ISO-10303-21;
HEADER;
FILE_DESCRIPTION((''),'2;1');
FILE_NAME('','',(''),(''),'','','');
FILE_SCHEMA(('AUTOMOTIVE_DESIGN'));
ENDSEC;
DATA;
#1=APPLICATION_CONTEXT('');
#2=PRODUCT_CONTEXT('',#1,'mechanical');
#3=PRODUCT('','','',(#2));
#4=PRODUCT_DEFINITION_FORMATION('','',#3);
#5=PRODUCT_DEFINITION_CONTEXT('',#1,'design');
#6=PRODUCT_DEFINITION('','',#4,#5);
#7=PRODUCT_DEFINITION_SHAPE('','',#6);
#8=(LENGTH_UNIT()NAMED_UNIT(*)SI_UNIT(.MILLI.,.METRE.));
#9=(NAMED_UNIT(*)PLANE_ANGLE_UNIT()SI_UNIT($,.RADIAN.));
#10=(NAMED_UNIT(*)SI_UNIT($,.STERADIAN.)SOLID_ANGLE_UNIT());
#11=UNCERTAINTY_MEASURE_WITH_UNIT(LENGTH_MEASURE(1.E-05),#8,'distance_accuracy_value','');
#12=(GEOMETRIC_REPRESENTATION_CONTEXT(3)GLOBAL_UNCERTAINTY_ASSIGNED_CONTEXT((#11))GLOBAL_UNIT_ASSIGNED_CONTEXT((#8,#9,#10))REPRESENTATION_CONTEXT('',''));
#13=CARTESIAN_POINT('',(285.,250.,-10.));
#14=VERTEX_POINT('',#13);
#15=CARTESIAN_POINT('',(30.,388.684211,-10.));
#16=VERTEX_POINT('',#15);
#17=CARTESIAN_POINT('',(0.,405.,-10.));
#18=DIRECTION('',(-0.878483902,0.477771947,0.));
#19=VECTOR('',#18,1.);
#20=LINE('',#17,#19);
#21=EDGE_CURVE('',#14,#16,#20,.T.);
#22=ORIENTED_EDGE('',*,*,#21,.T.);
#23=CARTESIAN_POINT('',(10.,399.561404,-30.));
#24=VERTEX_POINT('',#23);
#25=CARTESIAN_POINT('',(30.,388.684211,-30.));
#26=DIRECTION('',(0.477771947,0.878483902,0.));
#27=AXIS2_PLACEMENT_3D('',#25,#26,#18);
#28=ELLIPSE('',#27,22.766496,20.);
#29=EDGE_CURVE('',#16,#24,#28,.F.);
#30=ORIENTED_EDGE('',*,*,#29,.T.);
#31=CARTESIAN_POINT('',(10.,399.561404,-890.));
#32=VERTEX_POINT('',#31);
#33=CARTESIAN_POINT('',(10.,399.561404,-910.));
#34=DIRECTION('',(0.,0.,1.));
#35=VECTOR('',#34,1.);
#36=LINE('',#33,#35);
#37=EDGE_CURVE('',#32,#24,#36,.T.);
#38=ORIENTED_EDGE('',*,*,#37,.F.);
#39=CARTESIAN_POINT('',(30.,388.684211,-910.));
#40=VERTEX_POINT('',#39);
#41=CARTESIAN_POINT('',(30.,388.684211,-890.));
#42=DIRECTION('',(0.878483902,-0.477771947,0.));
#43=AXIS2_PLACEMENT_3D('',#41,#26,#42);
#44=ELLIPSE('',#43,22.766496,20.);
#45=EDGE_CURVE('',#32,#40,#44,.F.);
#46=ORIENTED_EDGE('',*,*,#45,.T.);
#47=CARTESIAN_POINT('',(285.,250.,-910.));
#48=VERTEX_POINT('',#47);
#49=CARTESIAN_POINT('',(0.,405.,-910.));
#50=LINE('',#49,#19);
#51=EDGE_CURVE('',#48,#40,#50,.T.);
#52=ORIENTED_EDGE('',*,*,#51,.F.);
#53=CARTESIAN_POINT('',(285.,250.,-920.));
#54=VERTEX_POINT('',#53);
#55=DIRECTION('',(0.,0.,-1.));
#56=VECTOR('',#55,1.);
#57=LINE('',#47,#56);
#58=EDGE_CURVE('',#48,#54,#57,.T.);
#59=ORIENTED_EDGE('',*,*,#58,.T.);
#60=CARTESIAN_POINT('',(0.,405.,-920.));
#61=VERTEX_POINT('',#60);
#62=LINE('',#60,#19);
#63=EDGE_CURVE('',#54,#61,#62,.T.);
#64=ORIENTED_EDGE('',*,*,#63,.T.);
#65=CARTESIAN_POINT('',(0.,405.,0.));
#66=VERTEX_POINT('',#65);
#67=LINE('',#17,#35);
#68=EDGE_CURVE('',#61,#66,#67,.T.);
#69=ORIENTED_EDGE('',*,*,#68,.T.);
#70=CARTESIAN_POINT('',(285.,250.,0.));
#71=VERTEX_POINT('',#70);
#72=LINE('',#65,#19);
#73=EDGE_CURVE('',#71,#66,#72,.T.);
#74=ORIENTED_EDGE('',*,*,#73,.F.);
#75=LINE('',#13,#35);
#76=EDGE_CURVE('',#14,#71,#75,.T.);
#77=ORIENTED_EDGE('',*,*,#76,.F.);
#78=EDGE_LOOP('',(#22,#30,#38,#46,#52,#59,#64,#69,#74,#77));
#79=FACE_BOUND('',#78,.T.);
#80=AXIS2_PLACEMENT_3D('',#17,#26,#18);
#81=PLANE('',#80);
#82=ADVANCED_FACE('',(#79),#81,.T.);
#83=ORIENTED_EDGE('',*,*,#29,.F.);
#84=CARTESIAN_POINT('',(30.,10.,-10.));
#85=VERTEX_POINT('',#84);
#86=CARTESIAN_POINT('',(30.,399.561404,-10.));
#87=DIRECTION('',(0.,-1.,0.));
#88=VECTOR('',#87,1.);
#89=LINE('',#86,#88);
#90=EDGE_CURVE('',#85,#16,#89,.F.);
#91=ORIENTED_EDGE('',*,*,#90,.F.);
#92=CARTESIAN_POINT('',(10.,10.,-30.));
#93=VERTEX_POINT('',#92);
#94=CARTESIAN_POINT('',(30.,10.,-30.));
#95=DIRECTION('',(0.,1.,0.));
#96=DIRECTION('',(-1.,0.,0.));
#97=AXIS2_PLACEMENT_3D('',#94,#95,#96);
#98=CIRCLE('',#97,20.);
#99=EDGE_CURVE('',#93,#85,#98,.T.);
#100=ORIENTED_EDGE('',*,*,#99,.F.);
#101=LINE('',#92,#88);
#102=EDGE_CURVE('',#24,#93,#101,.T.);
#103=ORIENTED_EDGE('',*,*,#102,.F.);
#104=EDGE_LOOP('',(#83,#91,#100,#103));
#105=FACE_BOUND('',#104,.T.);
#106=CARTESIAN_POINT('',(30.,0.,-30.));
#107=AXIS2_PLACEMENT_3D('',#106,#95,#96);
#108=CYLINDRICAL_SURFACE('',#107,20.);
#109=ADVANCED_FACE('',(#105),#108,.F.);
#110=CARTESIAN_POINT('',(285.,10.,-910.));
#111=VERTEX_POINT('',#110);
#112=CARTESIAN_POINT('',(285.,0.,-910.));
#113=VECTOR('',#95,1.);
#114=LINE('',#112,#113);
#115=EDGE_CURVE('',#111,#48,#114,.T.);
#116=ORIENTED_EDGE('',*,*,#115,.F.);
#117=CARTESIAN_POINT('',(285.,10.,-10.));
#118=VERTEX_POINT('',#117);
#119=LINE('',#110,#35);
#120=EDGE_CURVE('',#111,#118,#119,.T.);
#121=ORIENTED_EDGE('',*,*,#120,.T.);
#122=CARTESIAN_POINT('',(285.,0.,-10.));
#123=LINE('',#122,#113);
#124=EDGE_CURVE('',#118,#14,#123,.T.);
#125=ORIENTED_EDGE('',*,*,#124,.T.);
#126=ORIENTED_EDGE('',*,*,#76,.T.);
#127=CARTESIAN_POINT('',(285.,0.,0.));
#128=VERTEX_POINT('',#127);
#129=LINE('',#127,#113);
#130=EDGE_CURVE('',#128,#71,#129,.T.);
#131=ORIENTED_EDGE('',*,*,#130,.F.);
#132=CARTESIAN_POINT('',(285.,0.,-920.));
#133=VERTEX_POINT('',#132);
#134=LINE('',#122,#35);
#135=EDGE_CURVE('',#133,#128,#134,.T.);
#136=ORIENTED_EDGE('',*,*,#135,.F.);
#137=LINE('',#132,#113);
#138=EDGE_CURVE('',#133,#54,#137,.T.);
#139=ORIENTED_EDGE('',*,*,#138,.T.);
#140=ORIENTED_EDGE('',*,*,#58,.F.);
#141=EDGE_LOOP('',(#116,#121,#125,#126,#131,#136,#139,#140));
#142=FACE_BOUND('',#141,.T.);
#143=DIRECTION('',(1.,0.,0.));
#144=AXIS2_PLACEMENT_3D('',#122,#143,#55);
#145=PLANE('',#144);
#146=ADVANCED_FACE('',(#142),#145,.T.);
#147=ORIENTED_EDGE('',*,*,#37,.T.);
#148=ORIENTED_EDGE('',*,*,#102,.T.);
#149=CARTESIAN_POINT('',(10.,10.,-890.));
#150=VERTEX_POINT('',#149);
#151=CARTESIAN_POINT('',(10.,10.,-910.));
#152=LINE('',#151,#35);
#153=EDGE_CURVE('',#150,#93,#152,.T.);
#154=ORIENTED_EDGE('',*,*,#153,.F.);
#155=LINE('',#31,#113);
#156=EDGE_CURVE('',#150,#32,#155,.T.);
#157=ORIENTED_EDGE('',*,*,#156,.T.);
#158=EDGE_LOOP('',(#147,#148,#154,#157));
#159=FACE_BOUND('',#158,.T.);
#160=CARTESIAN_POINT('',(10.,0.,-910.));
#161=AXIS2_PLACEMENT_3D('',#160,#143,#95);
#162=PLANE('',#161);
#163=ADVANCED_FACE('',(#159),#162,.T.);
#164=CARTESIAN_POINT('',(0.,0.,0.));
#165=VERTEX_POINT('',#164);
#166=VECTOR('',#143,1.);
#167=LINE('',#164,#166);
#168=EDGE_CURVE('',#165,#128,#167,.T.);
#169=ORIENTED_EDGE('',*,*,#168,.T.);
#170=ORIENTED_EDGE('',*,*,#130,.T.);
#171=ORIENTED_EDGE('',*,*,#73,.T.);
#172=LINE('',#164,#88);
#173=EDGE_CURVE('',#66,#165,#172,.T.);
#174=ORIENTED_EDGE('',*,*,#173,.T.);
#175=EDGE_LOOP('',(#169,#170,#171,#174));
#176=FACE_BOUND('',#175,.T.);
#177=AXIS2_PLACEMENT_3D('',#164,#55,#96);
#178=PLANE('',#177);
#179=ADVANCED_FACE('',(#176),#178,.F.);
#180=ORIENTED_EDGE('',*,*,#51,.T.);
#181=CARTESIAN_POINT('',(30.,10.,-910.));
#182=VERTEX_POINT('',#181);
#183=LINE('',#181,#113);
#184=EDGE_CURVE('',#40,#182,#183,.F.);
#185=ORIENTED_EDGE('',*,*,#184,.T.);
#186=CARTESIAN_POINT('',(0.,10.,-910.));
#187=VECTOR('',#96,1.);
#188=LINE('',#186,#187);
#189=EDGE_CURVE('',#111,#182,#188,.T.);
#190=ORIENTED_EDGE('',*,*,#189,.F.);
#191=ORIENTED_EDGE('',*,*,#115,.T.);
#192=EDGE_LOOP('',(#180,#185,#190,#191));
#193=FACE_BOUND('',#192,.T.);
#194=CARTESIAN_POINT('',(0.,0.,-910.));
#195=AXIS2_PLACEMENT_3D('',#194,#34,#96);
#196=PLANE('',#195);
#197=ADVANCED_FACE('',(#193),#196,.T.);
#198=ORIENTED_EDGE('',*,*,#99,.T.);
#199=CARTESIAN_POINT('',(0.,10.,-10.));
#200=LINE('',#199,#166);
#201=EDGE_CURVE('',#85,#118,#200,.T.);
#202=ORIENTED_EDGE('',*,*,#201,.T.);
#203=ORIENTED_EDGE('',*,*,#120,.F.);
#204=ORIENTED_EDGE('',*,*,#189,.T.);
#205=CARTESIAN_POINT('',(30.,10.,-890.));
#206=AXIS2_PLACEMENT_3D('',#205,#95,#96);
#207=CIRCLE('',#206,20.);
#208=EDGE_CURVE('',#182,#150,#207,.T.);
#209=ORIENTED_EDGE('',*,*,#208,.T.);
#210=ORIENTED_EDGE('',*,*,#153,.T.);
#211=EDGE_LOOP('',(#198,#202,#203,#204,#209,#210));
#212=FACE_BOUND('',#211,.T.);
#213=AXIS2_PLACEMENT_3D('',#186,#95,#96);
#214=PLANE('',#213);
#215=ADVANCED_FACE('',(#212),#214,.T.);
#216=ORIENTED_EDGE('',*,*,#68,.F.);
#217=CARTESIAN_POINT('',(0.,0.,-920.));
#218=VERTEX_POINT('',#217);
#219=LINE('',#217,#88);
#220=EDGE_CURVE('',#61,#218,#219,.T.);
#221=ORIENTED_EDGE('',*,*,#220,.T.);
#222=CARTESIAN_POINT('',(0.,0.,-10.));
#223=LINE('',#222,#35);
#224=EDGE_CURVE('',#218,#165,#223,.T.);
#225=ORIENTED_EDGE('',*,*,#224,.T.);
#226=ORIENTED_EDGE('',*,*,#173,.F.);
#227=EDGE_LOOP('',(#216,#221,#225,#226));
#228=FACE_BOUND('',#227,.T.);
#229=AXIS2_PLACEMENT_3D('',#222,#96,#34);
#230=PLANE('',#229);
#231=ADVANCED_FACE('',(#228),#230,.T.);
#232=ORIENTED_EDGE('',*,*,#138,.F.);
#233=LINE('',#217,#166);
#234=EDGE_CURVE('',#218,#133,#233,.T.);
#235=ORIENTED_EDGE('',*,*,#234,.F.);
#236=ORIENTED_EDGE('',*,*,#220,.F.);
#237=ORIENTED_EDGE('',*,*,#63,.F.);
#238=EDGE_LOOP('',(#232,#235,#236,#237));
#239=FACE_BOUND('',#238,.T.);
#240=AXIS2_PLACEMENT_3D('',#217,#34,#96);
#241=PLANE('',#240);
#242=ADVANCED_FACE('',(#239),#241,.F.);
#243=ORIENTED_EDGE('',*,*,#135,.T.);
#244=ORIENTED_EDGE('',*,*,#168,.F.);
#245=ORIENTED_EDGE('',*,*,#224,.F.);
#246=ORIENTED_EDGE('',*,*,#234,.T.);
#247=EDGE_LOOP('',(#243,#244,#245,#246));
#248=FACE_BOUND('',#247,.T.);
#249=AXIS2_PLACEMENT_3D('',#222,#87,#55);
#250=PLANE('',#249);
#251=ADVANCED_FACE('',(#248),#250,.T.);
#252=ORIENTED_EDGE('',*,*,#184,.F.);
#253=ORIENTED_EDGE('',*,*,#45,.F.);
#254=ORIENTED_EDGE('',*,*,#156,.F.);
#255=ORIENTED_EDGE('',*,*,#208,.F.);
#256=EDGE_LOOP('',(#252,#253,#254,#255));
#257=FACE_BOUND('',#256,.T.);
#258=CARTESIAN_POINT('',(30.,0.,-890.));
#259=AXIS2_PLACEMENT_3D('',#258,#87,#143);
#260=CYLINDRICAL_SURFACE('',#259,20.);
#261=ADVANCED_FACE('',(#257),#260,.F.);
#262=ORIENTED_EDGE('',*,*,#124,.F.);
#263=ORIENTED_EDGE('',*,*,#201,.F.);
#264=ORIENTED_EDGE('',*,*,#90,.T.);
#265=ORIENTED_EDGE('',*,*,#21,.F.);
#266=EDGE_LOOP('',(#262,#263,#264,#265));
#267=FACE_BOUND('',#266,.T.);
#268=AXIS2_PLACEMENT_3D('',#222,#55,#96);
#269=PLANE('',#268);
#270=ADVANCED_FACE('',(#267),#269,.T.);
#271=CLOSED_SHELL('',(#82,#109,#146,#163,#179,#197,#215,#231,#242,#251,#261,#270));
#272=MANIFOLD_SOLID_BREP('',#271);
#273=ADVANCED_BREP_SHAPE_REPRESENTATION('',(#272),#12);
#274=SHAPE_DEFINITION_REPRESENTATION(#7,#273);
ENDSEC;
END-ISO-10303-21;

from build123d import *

# Parameters (mm, degrees)
BOSS_EXTRUDE1_DEPTH = 10
BOSS_EXTRUDE2_DEPTH = 910
FILLET1_R           = 20


with BuildPart() as part:
    # Sketch1 → Boss-Extrude1 (new body)
    with BuildSketch(Plane.XY):
        Polygon((0, 405), (285, 250), (285, 0), (0, 0), align=None)
    boss_extrude1 = extrude(amount=-BOSS_EXTRUDE1_DEPTH)

    # Sketch2 → Boss-Extrude2 (add)
    with BuildSketch(Plane.XY):
        Polygon((10, 0), (285, 0), (285, 10), (10, 10), (10, 399.561403509), (0, 405), (0, 10), (0, 0), align=None)
    extrude(amount=-BOSS_EXTRUDE2_DEPTH)

    # Mirror1: Boss-Extrude1 across plane
    add(boss_extrude1.mirror(Plane(origin=(0, 0, -460), x_dir=(1, 0, 0), z_dir=(0, 0, -1))))

    # Fillet1
    fillet1_edges = [part.edges().sort_by_distance(p)[0] for p in [
        (10, 204.780701754, -10),
        (10, 204.780701754, -910),
    ]]
    fillet(fillet1_edges, radius=FILLET1_R)


solid = part.part
